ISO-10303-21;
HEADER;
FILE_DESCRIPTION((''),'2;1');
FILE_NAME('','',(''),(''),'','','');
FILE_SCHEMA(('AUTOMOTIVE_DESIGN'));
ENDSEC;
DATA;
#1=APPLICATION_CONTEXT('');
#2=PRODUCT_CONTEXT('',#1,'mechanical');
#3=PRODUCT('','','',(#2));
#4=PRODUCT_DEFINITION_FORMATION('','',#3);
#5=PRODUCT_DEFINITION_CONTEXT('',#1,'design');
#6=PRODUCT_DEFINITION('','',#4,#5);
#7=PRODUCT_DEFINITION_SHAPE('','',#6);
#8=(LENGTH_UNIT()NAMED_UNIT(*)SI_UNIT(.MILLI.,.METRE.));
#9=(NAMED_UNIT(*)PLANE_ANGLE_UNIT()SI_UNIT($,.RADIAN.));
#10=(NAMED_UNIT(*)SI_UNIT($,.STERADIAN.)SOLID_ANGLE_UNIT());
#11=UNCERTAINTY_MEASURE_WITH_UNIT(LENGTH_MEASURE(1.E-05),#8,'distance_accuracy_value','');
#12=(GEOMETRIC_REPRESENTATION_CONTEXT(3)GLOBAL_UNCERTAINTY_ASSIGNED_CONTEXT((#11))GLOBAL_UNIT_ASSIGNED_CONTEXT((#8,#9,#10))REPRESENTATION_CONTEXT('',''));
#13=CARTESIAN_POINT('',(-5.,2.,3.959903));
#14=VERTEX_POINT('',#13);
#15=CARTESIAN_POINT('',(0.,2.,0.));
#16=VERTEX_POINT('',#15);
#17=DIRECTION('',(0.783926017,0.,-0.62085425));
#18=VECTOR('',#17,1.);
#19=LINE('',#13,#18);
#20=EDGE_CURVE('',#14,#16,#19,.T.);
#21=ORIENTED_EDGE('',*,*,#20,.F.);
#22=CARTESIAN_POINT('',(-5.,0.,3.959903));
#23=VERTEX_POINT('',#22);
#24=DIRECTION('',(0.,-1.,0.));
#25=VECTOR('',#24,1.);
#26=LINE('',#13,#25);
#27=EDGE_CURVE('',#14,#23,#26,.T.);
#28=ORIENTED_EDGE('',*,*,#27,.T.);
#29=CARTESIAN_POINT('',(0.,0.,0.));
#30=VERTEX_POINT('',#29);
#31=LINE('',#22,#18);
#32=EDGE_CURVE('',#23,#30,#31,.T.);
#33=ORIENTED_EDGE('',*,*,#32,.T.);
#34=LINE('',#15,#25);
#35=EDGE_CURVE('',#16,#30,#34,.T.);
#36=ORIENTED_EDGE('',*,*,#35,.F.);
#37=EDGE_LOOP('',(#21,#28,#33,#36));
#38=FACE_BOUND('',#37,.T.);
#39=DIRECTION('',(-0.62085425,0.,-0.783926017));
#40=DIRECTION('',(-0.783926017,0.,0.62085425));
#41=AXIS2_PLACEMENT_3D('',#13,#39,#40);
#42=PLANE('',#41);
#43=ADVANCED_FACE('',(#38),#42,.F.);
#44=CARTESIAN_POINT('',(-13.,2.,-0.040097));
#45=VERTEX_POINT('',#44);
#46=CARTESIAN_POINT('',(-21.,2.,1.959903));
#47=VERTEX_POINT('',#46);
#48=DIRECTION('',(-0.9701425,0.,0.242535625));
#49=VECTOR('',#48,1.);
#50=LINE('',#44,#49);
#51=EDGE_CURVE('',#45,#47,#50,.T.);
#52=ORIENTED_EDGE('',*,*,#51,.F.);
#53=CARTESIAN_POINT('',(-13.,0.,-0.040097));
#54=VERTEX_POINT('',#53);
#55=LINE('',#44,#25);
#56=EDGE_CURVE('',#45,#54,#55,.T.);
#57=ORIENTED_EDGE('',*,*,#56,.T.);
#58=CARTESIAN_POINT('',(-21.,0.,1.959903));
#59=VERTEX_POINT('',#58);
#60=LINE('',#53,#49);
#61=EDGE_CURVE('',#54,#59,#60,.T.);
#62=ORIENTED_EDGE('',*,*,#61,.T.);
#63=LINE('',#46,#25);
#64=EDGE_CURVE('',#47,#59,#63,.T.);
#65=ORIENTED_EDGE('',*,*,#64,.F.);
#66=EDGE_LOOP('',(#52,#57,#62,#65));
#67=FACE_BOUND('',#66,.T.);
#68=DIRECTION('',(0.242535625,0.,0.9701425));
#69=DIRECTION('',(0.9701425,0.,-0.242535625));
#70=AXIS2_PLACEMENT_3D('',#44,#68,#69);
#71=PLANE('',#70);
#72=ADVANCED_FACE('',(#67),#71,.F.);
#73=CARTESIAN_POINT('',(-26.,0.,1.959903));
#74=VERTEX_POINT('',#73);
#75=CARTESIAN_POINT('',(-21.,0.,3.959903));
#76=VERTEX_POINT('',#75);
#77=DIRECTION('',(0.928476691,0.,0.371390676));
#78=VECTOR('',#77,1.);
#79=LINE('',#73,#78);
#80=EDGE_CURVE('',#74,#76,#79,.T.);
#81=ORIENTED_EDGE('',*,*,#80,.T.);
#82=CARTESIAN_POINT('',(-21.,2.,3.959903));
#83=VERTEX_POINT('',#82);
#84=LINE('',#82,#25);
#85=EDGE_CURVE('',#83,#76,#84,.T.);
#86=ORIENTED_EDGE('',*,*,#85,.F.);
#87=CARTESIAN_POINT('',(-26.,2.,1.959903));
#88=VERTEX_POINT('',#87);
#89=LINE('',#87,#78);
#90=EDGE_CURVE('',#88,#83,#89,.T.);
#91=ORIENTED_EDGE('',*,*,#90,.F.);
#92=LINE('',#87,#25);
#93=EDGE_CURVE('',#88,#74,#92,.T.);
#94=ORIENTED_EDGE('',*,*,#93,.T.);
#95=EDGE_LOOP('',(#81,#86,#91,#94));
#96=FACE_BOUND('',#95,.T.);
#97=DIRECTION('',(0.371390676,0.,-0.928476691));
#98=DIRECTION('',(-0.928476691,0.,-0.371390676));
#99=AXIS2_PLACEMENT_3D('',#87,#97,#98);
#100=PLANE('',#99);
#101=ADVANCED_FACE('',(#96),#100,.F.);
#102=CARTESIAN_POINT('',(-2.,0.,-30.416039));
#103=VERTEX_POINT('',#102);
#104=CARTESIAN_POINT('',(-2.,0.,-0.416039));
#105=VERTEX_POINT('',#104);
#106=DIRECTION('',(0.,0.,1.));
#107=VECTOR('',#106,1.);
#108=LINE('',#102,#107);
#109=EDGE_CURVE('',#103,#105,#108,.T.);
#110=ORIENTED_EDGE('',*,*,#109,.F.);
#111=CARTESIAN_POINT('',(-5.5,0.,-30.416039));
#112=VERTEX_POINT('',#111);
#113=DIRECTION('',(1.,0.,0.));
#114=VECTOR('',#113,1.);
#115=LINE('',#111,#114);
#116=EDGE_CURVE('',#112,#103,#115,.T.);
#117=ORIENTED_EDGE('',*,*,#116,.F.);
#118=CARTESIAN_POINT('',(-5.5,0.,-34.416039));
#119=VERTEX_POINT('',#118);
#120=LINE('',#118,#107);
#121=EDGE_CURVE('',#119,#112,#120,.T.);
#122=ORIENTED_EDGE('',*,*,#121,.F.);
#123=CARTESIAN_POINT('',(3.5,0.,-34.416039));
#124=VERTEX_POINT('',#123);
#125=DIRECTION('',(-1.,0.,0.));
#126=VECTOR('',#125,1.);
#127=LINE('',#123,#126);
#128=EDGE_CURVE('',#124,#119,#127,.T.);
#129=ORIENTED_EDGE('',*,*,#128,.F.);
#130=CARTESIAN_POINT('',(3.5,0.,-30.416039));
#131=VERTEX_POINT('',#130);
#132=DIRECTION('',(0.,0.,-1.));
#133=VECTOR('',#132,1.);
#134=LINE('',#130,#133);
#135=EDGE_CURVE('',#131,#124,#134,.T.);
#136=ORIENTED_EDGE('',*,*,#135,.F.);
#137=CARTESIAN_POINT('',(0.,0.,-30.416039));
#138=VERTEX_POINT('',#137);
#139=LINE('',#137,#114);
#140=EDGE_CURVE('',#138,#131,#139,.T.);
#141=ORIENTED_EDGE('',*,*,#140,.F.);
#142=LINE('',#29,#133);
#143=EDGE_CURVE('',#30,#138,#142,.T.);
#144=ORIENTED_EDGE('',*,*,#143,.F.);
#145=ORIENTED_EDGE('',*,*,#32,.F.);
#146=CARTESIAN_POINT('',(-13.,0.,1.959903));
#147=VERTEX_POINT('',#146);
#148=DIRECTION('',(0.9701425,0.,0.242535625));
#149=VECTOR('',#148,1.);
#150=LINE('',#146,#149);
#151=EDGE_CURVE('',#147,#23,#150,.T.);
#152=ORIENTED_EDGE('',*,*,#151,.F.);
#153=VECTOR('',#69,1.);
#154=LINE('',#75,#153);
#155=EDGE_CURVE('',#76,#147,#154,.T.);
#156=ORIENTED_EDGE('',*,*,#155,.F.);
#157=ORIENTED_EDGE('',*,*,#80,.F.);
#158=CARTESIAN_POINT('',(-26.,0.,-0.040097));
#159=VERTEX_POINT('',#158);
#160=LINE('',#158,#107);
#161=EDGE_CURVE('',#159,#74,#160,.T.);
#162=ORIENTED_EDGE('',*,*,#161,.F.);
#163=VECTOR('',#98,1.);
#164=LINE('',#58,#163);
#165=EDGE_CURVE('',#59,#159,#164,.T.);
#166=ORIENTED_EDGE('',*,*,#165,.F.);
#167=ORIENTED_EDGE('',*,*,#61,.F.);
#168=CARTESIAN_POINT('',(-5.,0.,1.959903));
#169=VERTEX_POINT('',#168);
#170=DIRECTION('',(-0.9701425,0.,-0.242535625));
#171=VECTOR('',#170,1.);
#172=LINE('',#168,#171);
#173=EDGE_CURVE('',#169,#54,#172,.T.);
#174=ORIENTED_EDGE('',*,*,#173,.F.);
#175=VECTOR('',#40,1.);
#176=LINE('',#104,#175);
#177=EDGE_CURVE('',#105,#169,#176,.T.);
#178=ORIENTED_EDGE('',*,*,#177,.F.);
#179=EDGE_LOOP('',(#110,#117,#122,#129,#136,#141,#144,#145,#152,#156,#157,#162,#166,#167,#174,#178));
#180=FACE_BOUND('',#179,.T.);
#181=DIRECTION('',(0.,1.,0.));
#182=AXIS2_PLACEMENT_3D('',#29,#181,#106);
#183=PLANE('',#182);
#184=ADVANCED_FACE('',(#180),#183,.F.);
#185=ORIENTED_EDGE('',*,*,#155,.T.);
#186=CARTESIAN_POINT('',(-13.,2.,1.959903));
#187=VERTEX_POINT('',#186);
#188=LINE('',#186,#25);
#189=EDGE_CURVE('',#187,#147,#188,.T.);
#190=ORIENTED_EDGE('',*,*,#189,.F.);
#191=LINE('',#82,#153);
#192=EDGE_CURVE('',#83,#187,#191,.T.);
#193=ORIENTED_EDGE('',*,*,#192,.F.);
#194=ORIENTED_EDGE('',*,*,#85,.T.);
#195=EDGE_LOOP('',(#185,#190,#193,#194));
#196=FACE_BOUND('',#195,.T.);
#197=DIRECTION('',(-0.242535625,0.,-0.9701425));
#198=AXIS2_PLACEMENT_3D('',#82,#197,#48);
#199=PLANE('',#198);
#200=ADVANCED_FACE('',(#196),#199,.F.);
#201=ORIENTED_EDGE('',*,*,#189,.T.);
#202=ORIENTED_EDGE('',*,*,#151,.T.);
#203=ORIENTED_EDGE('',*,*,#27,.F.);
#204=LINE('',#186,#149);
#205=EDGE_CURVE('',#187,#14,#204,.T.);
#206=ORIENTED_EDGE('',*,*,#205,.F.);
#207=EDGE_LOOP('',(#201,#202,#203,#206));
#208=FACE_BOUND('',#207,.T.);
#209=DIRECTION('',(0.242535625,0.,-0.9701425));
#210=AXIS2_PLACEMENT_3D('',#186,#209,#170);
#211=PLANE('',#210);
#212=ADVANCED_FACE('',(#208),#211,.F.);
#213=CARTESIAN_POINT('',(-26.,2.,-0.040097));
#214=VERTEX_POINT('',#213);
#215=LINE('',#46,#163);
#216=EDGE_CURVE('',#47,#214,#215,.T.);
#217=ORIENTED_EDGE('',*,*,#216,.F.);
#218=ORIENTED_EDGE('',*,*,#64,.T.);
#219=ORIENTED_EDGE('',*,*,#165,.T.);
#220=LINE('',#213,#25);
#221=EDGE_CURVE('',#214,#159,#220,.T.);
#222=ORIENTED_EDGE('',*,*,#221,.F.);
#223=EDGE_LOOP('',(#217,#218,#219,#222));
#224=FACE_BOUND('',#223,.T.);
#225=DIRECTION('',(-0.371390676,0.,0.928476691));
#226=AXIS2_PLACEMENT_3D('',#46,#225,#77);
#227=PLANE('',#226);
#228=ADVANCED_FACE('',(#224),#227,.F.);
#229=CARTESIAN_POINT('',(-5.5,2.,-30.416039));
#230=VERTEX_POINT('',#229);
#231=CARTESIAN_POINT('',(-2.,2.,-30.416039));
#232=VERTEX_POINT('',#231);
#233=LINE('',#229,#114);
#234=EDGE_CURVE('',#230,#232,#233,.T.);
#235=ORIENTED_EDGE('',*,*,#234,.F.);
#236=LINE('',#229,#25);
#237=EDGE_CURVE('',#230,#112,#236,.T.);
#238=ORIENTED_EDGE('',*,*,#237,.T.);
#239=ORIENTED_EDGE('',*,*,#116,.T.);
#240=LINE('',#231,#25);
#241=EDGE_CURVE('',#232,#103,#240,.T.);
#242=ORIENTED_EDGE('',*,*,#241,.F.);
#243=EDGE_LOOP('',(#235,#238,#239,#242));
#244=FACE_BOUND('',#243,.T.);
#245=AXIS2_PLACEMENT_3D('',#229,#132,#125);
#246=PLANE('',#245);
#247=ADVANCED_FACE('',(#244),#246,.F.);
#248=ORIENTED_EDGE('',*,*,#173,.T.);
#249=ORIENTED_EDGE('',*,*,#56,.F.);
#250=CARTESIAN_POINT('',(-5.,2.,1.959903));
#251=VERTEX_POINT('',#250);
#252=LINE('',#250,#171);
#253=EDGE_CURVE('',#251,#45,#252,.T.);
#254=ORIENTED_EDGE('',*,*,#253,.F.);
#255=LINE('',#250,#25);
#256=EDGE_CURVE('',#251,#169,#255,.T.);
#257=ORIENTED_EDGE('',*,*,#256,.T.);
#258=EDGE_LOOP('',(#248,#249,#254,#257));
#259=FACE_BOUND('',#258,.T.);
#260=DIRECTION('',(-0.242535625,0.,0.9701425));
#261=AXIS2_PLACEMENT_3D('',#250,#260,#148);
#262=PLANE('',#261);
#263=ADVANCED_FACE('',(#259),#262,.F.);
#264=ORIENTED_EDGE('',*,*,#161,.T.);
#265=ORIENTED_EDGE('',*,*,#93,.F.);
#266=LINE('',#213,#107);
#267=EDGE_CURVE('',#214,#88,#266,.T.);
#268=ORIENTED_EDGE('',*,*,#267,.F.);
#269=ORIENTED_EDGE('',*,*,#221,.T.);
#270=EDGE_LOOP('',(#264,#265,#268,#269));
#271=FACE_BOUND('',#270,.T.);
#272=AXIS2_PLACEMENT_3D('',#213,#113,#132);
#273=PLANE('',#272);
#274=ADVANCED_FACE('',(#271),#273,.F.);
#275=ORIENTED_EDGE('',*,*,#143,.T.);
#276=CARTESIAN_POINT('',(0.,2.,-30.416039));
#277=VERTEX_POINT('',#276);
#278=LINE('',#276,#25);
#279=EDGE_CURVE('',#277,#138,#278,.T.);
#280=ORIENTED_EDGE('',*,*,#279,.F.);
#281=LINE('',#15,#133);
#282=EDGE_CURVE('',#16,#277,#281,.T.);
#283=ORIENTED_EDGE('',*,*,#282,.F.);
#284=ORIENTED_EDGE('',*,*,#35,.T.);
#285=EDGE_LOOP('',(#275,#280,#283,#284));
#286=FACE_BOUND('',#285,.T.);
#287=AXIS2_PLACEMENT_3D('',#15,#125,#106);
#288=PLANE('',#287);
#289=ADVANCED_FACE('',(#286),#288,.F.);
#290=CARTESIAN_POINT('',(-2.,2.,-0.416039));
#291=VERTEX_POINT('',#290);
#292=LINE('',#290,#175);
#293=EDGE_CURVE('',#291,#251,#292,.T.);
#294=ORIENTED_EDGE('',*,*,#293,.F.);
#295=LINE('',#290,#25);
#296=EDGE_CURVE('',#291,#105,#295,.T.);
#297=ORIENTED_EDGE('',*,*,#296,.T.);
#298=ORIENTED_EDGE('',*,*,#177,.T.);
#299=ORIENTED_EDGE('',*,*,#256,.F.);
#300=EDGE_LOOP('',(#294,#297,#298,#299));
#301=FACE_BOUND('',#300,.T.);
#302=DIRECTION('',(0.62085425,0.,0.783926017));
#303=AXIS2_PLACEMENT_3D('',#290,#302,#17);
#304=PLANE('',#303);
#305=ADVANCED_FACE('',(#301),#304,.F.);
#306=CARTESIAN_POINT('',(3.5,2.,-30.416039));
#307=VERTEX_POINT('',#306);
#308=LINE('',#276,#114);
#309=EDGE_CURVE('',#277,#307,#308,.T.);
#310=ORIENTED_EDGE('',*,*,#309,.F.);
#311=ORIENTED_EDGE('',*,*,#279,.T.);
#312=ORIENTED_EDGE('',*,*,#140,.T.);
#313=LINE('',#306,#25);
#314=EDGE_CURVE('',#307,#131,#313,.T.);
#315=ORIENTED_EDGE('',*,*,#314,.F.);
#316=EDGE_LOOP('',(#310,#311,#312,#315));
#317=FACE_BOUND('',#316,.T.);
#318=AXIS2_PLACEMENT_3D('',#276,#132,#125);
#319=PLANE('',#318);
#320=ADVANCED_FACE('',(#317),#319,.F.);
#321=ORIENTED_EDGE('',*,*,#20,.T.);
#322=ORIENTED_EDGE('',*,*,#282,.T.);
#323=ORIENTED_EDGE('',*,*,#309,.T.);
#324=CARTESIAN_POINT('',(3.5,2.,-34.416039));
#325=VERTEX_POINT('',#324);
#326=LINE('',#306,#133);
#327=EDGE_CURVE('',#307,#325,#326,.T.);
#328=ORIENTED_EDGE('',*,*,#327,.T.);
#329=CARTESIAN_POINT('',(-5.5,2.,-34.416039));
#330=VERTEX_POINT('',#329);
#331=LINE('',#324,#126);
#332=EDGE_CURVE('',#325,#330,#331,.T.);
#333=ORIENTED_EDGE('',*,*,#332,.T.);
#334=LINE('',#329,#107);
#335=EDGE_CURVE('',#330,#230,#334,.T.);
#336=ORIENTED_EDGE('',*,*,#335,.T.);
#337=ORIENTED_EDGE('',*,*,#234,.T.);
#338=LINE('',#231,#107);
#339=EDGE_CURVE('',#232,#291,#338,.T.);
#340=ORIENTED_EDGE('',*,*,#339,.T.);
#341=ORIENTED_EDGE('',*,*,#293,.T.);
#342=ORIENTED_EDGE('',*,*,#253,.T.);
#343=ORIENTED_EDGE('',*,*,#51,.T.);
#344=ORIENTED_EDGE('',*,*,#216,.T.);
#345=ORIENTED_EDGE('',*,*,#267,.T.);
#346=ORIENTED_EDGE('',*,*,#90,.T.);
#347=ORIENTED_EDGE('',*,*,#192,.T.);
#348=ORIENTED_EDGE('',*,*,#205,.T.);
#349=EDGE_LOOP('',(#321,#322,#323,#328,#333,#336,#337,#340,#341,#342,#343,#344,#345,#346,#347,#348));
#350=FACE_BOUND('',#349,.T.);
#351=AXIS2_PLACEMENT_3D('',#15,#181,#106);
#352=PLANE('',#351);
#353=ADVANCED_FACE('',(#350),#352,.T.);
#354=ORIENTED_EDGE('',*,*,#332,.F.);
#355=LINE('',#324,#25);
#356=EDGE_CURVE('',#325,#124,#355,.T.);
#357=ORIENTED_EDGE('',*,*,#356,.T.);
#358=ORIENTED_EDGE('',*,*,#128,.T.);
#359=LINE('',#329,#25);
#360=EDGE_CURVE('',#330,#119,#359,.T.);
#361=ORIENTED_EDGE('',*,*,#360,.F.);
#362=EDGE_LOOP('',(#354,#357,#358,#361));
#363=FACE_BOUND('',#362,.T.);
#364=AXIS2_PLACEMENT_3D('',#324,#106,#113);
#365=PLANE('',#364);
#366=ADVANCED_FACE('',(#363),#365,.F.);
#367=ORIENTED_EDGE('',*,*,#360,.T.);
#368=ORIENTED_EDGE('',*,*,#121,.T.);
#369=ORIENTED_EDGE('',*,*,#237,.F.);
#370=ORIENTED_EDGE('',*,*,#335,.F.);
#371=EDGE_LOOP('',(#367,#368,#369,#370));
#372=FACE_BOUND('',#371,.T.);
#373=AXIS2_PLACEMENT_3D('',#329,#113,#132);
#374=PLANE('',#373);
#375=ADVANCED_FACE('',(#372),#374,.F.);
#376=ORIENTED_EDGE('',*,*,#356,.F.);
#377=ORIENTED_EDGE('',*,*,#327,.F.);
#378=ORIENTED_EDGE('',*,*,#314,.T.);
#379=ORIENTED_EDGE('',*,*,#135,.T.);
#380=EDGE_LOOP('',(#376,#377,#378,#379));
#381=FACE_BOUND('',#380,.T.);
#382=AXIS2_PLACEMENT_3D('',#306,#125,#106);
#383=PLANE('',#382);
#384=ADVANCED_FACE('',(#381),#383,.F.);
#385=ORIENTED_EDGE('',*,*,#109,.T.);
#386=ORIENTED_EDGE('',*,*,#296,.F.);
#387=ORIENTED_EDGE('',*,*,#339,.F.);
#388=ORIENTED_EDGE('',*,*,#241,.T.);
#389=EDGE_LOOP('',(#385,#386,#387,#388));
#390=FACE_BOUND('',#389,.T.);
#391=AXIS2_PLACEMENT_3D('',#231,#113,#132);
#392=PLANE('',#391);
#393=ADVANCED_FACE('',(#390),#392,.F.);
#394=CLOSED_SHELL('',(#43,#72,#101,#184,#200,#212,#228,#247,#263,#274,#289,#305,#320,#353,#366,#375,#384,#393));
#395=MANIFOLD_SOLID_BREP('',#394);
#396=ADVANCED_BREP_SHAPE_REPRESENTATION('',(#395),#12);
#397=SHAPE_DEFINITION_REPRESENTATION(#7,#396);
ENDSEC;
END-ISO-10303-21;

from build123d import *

# Parameters (mm, degrees)
BOSS_EXTRUDE1_DEPTH = 2


with BuildPart() as part:
    # Sketch1 → Boss-Extrude1 (new body)
    with BuildSketch(Plane(origin=(0, 0, 0), x_dir=(1, 0, 0), z_dir=(0, 1, 0))):
        Polygon((0, 0), (0, 30.416038665), (3.5, 30.416038665), (3.5, 34.416038665), (-5.5, 34.416038665), (-5.5, 30.416038665), (-2, 30.416038665), (-2, 0.416038665), (-5, -1.959903338), (-13, 0.040096662), (-21, -1.959903338), (-26, 0.040096662), (-26, -1.959903338), (-21, -3.959903338), (-13, -1.959903338), (-5, -3.959903338), align=None)
    extrude(amount=BOSS_EXTRUDE1_DEPTH)


solid = part.part
